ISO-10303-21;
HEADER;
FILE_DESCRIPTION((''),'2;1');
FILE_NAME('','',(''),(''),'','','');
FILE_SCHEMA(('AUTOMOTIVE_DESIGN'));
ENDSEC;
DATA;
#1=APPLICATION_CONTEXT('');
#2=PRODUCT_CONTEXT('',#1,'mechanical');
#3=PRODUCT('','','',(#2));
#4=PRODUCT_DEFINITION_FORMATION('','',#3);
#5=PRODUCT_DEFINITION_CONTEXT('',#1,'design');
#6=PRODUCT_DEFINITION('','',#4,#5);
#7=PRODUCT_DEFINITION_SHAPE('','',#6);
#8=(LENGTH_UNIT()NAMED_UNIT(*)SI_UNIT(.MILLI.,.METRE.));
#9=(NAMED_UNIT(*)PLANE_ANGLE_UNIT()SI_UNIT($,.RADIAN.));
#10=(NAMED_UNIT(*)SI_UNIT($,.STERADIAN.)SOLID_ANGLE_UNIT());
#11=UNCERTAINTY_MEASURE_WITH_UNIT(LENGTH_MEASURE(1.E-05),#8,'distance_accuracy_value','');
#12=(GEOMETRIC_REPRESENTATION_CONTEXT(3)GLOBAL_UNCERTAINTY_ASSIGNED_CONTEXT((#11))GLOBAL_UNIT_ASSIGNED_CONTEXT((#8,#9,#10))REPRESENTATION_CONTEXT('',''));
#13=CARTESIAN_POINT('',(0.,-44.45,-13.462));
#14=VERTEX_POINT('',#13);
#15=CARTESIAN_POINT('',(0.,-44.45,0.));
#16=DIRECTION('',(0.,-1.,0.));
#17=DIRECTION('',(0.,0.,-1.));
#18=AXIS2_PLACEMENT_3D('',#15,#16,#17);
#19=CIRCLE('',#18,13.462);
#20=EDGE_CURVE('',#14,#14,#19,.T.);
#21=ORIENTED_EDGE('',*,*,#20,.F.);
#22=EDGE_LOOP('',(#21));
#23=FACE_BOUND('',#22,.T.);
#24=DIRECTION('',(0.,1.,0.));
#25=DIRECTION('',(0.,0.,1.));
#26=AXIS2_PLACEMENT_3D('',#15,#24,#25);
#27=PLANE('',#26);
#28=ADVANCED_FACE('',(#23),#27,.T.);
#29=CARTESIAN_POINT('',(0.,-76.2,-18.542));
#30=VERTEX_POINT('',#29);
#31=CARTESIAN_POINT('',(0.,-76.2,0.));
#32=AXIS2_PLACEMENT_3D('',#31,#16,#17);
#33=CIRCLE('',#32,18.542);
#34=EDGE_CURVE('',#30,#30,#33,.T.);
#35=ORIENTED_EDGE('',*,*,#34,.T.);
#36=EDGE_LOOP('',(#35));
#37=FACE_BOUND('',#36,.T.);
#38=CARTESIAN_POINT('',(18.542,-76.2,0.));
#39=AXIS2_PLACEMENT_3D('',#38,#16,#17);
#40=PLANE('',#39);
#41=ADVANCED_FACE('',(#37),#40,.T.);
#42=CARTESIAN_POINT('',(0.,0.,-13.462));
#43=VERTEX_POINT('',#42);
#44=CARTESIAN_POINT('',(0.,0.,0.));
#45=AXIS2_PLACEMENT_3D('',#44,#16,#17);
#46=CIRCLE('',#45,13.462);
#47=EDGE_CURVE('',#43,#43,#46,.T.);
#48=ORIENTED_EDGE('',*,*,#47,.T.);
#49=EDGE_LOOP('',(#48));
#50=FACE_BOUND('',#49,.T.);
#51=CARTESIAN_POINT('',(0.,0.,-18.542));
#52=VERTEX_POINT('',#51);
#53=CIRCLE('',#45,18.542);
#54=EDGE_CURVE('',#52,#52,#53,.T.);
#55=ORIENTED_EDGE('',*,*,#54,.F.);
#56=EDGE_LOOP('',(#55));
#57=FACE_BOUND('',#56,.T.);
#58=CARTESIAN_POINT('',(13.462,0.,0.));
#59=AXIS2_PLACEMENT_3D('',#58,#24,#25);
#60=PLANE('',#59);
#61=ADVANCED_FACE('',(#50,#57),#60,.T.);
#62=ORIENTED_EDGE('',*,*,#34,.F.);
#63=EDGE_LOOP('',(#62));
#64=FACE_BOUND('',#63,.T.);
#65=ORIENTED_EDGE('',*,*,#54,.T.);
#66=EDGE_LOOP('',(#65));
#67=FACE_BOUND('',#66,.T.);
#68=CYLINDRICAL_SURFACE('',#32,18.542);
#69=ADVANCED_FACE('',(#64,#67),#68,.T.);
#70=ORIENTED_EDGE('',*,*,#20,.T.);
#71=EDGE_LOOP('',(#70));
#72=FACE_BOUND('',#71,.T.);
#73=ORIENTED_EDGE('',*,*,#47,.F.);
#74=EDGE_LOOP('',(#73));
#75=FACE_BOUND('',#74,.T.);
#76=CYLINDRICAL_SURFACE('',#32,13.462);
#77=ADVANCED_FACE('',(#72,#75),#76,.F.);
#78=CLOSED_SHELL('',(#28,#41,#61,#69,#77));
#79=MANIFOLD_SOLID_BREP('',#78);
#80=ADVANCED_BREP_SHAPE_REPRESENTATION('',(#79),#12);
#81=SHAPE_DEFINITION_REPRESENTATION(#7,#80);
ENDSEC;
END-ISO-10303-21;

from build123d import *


with BuildPart() as part:
    # Sketch1 → Revolve1 (revolve)
    with BuildSketch(Plane.XY, mode=Mode.PRIVATE) as revolve1_sk:
        Polygon((13.462, 0), (18.542, 0), (18.542, -76.2), (0, -76.2), (0, -44.45), (13.462, -44.45), align=None)
    revolve(revolve1_sk.sketch.rotate(Axis((0, -76.2, 0), (0, 1, 0)), 90), axis=Axis((0, -76.2, 0), (0, 1, 0)))


solid = part.part
